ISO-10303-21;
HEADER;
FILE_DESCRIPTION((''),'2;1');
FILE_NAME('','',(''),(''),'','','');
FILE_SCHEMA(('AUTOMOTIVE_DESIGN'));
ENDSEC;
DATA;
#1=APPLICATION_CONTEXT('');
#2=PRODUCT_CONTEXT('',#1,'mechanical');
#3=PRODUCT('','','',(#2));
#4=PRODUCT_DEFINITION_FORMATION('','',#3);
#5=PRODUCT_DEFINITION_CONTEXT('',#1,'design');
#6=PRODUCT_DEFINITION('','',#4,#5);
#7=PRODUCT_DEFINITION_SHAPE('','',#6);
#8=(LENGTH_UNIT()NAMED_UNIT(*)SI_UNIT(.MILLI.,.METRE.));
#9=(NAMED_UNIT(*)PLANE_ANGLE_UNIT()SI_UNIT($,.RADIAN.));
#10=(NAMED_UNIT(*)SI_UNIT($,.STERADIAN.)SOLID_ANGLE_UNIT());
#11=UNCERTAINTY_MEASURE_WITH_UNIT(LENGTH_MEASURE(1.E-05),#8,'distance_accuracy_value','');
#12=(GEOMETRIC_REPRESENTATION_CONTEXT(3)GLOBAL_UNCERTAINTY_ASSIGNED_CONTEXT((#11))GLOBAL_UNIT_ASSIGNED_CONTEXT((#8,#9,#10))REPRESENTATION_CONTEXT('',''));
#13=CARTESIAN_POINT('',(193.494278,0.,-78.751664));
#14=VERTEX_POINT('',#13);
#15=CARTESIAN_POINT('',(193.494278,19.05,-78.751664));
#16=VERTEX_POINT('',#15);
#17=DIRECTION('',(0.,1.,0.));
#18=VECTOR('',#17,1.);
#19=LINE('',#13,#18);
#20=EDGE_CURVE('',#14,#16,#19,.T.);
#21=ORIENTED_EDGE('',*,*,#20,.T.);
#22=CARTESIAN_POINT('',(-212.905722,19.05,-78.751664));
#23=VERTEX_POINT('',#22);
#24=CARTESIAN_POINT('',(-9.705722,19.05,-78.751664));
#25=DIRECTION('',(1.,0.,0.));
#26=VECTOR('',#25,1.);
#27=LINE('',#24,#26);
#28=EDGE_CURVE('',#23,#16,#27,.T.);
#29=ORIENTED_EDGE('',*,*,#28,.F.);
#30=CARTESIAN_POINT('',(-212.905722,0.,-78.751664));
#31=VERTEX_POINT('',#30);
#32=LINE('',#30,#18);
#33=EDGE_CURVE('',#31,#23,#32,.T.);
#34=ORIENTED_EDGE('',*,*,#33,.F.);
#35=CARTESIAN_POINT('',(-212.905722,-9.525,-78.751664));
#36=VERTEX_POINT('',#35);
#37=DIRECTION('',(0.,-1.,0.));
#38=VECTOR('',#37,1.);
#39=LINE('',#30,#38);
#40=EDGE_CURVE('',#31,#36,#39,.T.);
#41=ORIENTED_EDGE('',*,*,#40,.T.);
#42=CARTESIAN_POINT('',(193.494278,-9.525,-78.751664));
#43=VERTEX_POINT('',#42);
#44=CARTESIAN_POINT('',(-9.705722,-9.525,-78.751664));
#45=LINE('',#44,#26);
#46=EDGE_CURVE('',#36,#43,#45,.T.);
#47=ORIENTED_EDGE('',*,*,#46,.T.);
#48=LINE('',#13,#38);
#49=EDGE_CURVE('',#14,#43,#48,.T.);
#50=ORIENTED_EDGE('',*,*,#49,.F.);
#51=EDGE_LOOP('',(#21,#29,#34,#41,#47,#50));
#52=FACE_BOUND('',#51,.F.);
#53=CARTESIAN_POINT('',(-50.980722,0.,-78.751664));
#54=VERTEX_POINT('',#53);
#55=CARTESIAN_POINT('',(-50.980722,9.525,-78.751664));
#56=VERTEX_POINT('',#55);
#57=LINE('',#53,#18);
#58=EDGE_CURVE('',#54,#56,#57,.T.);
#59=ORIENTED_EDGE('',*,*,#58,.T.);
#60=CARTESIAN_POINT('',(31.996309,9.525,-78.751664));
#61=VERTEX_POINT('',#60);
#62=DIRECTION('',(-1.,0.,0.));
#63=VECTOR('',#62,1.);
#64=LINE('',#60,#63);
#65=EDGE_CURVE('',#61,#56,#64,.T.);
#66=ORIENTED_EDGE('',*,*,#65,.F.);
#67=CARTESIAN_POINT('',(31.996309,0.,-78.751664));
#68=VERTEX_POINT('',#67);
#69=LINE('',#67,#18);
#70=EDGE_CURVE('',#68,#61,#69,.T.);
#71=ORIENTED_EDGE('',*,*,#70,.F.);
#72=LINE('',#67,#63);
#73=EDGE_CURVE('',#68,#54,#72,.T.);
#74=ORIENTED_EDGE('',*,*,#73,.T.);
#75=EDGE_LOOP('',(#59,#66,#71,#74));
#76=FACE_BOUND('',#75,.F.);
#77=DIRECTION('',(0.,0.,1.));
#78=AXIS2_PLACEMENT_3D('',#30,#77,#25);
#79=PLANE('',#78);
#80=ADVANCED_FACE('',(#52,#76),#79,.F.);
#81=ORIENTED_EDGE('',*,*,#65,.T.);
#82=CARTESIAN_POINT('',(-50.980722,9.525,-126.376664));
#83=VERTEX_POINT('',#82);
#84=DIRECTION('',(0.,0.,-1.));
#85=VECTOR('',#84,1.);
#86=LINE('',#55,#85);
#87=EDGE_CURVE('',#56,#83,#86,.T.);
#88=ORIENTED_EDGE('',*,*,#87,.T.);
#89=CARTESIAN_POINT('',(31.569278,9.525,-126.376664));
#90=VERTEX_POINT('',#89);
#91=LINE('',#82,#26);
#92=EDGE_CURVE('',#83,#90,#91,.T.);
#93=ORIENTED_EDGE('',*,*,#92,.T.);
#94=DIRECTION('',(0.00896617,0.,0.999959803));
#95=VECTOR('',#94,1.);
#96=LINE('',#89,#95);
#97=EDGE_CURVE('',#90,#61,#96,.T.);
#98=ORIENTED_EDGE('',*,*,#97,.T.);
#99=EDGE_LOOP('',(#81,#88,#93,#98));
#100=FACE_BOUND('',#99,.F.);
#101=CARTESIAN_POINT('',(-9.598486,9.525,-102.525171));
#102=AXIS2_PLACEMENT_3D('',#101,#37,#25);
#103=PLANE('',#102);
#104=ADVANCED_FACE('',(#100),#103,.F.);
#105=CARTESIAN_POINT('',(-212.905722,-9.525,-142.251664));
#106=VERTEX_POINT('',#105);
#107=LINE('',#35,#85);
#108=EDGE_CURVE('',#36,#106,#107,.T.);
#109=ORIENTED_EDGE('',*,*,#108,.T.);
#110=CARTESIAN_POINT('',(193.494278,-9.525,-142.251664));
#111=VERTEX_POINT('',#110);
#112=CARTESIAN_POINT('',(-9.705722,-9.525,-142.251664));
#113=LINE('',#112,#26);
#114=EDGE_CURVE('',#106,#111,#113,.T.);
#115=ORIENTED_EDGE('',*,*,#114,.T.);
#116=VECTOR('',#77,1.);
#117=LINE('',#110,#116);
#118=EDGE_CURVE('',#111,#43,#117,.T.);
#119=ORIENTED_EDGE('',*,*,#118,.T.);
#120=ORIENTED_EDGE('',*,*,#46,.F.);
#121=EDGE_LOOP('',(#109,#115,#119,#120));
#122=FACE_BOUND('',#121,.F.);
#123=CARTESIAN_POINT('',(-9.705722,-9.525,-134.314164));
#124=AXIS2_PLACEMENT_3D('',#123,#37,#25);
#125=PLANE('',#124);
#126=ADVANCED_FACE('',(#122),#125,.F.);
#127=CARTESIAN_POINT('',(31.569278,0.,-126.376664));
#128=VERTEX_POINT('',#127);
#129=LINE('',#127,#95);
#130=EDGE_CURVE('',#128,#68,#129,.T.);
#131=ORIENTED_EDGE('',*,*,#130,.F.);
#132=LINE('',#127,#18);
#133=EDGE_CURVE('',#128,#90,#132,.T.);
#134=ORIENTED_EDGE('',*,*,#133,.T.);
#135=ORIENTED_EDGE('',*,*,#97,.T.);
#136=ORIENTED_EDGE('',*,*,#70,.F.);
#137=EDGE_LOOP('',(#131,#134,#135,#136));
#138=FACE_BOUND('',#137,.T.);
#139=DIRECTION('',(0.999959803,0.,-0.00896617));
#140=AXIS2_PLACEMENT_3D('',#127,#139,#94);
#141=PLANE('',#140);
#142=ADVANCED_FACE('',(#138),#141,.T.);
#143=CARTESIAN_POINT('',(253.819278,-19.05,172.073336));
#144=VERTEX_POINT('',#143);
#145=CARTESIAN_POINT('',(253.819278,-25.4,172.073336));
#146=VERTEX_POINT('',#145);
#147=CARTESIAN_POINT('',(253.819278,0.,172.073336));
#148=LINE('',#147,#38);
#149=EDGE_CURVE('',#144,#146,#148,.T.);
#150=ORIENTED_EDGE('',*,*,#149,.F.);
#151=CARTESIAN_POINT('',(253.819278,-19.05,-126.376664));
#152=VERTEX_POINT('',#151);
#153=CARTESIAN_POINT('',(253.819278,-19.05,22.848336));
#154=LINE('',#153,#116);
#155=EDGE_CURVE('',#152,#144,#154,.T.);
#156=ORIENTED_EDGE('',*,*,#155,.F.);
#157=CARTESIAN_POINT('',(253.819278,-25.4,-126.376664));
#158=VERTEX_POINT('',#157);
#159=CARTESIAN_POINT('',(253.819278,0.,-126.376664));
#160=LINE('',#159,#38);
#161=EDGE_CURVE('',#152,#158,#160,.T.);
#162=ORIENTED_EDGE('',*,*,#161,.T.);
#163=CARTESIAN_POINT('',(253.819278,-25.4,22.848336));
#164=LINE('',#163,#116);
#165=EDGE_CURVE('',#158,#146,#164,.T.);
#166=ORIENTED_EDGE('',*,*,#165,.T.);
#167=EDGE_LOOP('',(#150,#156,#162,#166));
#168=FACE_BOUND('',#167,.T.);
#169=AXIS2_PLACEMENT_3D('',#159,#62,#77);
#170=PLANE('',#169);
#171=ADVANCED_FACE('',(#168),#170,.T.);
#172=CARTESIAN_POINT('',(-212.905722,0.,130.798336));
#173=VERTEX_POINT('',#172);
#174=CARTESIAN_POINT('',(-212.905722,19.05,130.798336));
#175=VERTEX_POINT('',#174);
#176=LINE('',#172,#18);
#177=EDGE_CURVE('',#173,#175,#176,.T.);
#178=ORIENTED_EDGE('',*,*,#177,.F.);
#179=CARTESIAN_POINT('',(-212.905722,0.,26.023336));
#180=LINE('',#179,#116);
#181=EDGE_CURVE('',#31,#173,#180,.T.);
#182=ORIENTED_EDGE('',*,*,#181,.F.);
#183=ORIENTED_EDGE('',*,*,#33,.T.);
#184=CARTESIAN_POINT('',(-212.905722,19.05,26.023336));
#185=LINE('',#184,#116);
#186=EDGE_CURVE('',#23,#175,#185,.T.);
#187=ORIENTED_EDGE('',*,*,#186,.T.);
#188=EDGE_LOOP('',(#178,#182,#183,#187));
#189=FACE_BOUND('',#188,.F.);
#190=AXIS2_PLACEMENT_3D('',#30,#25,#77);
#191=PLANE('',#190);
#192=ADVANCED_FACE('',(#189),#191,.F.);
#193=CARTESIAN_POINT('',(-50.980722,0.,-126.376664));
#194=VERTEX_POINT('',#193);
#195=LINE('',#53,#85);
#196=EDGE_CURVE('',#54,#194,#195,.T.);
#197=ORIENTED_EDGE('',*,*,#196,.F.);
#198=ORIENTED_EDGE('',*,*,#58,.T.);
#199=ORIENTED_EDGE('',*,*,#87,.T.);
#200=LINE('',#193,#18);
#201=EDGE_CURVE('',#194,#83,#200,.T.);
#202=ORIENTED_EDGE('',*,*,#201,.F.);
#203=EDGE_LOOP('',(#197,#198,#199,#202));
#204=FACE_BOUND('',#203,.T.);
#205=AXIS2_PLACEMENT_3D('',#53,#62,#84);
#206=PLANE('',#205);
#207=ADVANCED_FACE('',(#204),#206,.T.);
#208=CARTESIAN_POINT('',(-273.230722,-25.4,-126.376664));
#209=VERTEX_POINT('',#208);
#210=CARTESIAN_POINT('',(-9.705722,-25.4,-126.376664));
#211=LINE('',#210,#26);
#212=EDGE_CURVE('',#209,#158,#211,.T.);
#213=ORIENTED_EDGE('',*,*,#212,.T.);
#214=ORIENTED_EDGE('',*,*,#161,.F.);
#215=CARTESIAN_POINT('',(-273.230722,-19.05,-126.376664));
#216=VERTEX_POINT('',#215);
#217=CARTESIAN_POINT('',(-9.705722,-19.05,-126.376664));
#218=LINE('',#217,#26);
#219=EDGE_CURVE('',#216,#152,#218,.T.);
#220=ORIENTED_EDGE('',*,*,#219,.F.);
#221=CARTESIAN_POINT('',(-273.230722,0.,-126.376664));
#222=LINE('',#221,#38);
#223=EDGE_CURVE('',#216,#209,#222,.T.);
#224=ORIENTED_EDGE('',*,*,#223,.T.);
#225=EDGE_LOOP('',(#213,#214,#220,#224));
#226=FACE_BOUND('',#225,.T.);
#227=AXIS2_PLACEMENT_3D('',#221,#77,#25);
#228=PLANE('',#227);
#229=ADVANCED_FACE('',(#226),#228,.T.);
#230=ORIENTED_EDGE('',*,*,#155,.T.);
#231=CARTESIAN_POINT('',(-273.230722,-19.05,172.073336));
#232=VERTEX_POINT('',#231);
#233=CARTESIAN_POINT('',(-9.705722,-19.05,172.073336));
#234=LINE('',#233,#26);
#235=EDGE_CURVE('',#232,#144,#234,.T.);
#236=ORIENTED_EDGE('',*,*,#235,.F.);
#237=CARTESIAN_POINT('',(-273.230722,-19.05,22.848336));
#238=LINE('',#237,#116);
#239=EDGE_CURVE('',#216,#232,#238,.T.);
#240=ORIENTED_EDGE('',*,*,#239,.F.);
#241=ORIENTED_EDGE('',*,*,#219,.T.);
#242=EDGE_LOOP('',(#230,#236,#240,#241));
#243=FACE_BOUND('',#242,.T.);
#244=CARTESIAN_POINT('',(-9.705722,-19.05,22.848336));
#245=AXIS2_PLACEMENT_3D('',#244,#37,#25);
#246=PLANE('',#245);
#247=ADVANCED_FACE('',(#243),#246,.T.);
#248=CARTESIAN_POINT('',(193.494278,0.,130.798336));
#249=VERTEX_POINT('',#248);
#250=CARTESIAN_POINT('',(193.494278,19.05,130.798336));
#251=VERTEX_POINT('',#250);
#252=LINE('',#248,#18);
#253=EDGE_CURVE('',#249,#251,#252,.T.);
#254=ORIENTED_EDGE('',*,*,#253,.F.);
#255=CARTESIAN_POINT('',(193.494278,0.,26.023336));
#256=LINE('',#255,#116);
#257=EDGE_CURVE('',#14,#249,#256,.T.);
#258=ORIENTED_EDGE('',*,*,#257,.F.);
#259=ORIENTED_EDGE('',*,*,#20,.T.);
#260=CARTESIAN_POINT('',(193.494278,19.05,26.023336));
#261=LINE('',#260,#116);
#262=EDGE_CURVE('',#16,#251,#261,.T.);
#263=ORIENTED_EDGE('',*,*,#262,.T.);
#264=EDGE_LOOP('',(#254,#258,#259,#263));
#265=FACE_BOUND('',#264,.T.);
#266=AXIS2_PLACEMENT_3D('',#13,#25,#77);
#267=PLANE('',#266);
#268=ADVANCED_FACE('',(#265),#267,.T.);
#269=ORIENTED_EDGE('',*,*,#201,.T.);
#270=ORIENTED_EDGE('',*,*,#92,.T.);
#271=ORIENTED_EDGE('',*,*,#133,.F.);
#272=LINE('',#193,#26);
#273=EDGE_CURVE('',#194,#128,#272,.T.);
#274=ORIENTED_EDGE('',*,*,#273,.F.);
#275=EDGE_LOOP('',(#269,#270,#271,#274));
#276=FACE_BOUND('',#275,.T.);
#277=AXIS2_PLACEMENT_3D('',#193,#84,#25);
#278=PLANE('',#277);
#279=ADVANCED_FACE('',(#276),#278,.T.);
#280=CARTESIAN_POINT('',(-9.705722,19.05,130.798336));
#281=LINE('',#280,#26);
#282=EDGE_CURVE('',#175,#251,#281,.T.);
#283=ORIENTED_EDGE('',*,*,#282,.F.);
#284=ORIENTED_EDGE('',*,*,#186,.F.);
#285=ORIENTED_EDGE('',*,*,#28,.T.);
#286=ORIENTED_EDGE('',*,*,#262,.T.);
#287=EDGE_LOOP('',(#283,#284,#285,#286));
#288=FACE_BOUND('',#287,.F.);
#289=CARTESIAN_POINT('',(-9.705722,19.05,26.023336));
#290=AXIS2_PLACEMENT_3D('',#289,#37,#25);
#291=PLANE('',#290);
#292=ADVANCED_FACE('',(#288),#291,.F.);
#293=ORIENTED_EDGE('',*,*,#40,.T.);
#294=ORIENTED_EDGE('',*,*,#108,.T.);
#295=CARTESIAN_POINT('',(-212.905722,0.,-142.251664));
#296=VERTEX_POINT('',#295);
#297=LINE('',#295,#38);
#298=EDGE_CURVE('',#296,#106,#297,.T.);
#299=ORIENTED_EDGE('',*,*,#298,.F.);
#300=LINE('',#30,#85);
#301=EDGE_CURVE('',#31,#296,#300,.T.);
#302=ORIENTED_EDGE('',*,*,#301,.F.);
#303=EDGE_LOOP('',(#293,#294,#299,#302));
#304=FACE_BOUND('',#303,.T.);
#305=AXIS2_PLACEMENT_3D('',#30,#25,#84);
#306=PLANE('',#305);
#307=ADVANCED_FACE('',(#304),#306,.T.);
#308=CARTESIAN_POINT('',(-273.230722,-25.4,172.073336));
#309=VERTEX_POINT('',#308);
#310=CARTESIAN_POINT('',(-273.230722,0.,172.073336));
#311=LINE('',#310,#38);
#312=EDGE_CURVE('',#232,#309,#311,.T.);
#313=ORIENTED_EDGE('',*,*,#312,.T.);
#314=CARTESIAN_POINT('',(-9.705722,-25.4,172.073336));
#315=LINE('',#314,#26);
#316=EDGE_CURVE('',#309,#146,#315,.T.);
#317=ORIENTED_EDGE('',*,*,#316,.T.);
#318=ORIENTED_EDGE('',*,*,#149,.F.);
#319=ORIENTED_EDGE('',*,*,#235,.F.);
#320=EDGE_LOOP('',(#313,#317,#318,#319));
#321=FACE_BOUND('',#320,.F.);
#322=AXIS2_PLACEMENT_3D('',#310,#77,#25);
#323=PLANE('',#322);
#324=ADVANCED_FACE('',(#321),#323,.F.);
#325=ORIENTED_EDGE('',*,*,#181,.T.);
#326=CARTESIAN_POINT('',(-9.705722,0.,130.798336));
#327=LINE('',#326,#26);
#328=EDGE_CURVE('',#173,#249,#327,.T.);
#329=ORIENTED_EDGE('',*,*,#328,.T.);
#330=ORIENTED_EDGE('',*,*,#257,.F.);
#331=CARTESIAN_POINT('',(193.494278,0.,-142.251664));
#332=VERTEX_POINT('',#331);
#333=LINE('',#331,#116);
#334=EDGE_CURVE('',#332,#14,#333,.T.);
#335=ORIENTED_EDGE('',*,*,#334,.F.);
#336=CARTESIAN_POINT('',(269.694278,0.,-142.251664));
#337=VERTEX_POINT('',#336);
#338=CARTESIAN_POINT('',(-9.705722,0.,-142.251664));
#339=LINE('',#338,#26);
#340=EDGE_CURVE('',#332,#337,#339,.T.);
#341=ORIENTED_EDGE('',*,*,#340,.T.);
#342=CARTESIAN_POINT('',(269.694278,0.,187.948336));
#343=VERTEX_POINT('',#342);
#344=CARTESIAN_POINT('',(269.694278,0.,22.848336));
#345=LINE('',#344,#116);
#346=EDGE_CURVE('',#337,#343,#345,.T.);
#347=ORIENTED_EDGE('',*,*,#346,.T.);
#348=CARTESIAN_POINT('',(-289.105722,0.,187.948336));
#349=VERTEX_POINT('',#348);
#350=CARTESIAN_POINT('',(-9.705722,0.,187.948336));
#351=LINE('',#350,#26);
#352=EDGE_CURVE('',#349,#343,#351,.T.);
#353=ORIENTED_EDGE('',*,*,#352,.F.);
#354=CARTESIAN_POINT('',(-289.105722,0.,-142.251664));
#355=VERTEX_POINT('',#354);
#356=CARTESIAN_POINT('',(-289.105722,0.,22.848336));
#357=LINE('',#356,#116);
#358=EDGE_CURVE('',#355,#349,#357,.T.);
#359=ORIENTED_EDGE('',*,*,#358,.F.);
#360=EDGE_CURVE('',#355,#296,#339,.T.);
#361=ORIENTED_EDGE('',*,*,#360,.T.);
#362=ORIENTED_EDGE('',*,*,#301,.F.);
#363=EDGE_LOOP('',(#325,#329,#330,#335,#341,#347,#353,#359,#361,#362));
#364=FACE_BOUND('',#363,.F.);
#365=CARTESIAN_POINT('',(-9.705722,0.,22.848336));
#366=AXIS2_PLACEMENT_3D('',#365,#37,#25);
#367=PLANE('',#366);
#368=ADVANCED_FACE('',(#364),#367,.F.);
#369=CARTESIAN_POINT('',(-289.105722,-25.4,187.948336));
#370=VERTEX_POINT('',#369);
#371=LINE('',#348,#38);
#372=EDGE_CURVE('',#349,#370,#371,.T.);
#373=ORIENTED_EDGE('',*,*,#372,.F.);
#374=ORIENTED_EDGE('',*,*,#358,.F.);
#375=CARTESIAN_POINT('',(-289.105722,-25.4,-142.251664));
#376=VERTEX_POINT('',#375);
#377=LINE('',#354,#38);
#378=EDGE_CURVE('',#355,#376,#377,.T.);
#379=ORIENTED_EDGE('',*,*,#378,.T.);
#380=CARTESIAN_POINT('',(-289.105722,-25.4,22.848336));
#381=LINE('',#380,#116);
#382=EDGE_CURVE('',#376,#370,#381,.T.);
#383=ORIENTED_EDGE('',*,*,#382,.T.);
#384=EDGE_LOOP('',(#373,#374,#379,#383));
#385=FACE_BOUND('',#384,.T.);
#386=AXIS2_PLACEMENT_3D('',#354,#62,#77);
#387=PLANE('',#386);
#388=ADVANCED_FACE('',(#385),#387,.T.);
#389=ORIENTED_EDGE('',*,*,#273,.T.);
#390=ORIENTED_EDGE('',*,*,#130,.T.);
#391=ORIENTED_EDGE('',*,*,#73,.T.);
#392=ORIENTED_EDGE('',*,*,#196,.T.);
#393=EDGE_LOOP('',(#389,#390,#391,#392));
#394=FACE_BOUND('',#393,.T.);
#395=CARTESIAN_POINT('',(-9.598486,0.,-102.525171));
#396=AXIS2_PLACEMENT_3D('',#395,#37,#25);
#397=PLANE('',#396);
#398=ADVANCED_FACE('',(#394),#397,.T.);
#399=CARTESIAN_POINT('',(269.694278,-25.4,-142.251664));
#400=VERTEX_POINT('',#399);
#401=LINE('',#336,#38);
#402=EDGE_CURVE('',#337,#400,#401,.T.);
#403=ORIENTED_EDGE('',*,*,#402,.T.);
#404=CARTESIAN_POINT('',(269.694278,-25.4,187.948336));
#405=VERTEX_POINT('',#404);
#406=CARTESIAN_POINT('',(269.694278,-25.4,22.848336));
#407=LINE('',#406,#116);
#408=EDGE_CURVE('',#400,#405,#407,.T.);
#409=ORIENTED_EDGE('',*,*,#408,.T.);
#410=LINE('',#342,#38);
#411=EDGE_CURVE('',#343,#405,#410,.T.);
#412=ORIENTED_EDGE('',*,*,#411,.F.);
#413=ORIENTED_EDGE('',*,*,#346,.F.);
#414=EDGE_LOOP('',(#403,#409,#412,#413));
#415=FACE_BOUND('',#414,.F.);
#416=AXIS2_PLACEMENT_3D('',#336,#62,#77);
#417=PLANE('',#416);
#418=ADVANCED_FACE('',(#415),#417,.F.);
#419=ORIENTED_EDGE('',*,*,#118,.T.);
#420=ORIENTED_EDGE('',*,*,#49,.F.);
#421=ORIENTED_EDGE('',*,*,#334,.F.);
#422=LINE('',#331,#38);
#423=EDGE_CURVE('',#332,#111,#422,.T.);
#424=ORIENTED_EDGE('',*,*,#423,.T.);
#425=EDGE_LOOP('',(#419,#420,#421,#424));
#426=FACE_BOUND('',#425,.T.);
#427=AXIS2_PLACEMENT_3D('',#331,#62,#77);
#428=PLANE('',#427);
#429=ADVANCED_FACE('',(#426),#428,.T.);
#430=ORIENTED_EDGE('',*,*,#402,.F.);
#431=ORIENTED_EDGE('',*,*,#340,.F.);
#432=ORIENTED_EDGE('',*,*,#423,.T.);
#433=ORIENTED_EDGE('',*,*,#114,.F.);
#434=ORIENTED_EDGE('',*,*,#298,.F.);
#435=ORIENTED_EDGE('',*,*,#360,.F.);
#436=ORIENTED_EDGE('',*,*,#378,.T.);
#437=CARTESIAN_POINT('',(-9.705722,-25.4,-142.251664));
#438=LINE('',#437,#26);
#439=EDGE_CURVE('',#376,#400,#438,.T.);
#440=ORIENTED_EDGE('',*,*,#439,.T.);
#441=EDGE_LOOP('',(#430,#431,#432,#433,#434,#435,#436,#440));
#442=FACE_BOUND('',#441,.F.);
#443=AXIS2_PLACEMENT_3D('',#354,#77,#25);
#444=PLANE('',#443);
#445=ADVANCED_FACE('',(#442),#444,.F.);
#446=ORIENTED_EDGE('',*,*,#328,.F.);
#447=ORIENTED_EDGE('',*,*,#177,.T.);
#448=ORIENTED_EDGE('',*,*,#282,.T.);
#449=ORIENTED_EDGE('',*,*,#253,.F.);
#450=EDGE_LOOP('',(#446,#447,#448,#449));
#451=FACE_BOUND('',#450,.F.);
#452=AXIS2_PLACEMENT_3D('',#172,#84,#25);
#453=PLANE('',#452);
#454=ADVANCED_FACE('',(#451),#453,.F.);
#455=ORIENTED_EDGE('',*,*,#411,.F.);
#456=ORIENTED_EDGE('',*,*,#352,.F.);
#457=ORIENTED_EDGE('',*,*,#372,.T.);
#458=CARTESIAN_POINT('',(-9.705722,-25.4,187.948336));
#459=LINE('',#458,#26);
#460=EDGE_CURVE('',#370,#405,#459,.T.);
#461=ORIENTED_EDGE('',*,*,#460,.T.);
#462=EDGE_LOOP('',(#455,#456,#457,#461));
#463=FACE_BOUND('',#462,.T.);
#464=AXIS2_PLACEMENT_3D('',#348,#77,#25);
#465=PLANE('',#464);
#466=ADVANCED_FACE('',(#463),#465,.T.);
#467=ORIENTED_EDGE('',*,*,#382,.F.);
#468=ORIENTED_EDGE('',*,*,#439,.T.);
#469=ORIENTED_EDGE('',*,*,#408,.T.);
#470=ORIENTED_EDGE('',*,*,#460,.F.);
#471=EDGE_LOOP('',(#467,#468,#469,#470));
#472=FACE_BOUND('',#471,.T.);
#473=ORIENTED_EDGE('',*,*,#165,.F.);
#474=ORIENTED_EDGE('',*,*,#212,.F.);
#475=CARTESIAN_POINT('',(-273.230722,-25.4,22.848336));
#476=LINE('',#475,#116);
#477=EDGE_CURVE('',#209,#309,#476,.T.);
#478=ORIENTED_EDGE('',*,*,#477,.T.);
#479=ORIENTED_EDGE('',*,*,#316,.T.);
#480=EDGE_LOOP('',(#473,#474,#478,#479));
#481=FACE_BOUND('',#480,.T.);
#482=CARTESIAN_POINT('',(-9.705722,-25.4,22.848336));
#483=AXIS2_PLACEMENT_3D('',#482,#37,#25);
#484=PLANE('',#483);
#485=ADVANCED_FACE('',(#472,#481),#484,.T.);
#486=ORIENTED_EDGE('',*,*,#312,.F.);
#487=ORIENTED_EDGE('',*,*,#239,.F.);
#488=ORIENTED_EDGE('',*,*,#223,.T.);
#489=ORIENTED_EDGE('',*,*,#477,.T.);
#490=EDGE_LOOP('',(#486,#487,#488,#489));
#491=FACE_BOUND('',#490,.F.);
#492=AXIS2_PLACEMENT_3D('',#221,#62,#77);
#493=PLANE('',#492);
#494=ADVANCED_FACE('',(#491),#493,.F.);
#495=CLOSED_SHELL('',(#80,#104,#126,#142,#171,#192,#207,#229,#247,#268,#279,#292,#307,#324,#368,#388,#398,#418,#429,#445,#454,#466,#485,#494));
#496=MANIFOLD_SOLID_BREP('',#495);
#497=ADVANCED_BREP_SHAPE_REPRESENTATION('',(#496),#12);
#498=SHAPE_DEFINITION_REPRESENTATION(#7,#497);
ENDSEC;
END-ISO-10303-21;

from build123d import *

# Parameters (mm, degrees)
F0_W     = 558.8
F0_H     = 330.2
F0_W_2   = 527.05
F0_H_2   = 298.45
F1_DEPTH = 25.4
F2_DEPTH = 19.05
F3_W     = 406.4
F3_H     = 209.55
F4_DEPTH = 19.05
F5_W     = 406.4
F5_H     = 15.875
F5_H_2   = 47.625
F6_DEPTH = 9.525
F8_DEPTH = 9.525


with BuildPart() as f1:
    # F0 (on Front) → F1 (new body)
    with BuildSketch(Plane.XZ):
        with Locations((-9.705722, 22.848336)):
            Rectangle(F0_W, F0_H)
        with Locations((-9.705722, 22.848336)):
            Rectangle(F0_W_2, F0_H_2, mode=Mode.SUBTRACT)
    extrude(amount=F1_DEPTH)

    # F0 (on Front) → F2 (join)
    with BuildSketch(Plane.XZ):
        with Locations((-9.705722, 22.848336)):
            Rectangle(F0_W_2, F0_H_2)
    extrude(amount=F2_DEPTH)

    # F3 (on face) → F4 (join)
    with BuildSketch(Plane.XZ):
        with Locations((-9.705722, 26.023336)):
            Rectangle(F3_W, F3_H)
    extrude(amount=-F4_DEPTH)

    # F5 (on face) → F6 (cut)
    with BuildSketch(Plane.XZ):
        with Locations((-9.705722, -134.314164)):
            Rectangle(F5_W, F5_H)
        with Locations((-9.705722, -102.564164)):
            Rectangle(F5_W, F5_H_2)
    extrude(amount=F6_DEPTH, mode=Mode.SUBTRACT)

    # F7 (on face) → F8 (join)
    with BuildSketch(Plane.XZ):
        Polygon((-50.980722, -126.376664), (31.569278, -126.376664), (31.996309, -78.751664), (31.569278, -78.751664), (-50.980722, -78.751664), align=None)
    extrude(amount=-F8_DEPTH)


solid = f1.part
